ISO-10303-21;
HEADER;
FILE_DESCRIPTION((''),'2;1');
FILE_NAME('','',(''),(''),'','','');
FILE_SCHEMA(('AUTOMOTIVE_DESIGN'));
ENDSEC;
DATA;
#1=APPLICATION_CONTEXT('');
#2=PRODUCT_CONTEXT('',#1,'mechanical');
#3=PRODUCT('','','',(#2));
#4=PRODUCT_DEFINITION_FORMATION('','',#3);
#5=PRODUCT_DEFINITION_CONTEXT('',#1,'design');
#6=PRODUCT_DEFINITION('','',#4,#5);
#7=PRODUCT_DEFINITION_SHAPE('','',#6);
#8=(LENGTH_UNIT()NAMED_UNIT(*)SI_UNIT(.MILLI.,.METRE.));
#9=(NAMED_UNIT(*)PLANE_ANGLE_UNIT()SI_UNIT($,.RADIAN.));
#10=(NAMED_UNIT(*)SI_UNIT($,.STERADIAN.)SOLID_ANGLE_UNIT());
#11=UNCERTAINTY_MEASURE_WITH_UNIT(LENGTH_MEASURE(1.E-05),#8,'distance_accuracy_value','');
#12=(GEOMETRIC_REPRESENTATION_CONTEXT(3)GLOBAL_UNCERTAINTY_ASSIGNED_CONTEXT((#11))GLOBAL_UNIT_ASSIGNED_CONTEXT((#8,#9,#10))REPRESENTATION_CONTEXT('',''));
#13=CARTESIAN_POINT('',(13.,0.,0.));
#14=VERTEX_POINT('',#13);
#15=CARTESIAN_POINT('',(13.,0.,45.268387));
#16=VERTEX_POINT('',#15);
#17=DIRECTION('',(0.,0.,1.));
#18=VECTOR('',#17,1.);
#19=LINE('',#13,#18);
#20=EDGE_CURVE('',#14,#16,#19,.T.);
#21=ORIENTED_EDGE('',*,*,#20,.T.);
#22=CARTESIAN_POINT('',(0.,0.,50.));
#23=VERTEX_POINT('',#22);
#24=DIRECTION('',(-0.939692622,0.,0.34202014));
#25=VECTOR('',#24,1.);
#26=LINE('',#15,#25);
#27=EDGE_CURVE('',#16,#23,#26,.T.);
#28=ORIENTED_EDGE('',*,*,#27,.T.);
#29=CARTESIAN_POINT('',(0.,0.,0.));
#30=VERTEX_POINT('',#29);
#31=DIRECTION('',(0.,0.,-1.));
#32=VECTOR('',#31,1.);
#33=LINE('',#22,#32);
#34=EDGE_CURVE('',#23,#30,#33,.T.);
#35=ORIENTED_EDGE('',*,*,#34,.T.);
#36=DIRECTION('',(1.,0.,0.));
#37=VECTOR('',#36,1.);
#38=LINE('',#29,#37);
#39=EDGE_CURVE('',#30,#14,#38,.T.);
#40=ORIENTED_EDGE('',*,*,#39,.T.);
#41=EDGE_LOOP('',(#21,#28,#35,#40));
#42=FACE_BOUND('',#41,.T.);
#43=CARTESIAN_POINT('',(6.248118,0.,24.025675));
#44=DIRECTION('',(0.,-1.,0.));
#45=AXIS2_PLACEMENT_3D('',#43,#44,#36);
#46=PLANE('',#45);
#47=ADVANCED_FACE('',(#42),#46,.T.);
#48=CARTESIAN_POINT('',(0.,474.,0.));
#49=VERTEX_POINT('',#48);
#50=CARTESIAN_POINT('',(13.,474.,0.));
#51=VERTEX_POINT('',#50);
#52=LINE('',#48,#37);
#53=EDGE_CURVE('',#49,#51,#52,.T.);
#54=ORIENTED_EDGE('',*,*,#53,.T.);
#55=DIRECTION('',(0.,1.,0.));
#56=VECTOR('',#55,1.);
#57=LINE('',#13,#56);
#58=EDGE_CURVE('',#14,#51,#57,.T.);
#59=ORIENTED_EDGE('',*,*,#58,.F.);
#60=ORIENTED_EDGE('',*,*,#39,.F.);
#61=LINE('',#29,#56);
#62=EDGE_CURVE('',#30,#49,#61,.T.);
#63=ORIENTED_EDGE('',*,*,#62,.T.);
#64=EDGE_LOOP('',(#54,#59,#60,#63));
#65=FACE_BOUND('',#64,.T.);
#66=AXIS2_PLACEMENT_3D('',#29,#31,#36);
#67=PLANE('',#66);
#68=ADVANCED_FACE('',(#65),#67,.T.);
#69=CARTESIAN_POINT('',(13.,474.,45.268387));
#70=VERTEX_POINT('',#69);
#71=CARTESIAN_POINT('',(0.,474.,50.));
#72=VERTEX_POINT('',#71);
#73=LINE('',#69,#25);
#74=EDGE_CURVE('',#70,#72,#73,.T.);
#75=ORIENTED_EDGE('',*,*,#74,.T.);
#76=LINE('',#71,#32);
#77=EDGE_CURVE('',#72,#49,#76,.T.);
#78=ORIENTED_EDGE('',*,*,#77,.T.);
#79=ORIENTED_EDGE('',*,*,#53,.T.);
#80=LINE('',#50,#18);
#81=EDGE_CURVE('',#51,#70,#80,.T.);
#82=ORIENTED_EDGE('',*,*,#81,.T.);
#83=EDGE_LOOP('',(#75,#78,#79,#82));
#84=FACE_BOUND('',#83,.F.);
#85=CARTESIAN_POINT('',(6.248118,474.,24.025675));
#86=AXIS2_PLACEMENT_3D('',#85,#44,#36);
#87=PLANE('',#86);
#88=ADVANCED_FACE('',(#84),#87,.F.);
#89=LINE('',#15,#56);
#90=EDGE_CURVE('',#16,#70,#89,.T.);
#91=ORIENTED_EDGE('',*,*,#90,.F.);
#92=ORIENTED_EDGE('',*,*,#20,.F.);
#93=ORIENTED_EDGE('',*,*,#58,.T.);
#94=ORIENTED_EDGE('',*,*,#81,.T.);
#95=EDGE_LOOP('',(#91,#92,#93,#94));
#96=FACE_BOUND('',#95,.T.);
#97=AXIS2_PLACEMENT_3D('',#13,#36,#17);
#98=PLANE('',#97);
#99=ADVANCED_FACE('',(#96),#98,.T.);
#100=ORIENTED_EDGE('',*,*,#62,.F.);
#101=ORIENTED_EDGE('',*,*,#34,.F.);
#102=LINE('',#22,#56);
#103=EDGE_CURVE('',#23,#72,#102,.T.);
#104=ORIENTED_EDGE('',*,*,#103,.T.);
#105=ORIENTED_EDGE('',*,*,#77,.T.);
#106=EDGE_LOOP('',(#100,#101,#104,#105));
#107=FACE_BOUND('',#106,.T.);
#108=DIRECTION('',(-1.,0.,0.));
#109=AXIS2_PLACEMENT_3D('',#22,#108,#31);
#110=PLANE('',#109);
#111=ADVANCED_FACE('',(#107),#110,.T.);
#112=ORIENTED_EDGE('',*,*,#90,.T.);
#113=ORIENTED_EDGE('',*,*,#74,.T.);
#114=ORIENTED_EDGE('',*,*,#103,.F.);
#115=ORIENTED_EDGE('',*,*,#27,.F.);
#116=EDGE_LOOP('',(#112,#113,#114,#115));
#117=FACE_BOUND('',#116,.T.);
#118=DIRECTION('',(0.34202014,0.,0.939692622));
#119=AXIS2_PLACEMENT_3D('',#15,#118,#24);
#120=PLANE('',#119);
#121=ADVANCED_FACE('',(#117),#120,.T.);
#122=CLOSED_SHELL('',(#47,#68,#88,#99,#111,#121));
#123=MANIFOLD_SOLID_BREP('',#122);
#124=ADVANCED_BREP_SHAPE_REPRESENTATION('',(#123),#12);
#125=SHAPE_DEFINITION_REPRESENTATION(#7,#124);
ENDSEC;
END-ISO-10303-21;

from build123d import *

# Parameters (mm, degrees)
PAD_DEPTH = 474


with BuildPart() as part:
    # Sketch → Pad (new body)
    with BuildSketch(Plane.XZ):
        Polygon((13, 0), (13, 45.268387), (0, 50), (0, 0), align=None)
    extrude(amount=-PAD_DEPTH)


solid = part.part
